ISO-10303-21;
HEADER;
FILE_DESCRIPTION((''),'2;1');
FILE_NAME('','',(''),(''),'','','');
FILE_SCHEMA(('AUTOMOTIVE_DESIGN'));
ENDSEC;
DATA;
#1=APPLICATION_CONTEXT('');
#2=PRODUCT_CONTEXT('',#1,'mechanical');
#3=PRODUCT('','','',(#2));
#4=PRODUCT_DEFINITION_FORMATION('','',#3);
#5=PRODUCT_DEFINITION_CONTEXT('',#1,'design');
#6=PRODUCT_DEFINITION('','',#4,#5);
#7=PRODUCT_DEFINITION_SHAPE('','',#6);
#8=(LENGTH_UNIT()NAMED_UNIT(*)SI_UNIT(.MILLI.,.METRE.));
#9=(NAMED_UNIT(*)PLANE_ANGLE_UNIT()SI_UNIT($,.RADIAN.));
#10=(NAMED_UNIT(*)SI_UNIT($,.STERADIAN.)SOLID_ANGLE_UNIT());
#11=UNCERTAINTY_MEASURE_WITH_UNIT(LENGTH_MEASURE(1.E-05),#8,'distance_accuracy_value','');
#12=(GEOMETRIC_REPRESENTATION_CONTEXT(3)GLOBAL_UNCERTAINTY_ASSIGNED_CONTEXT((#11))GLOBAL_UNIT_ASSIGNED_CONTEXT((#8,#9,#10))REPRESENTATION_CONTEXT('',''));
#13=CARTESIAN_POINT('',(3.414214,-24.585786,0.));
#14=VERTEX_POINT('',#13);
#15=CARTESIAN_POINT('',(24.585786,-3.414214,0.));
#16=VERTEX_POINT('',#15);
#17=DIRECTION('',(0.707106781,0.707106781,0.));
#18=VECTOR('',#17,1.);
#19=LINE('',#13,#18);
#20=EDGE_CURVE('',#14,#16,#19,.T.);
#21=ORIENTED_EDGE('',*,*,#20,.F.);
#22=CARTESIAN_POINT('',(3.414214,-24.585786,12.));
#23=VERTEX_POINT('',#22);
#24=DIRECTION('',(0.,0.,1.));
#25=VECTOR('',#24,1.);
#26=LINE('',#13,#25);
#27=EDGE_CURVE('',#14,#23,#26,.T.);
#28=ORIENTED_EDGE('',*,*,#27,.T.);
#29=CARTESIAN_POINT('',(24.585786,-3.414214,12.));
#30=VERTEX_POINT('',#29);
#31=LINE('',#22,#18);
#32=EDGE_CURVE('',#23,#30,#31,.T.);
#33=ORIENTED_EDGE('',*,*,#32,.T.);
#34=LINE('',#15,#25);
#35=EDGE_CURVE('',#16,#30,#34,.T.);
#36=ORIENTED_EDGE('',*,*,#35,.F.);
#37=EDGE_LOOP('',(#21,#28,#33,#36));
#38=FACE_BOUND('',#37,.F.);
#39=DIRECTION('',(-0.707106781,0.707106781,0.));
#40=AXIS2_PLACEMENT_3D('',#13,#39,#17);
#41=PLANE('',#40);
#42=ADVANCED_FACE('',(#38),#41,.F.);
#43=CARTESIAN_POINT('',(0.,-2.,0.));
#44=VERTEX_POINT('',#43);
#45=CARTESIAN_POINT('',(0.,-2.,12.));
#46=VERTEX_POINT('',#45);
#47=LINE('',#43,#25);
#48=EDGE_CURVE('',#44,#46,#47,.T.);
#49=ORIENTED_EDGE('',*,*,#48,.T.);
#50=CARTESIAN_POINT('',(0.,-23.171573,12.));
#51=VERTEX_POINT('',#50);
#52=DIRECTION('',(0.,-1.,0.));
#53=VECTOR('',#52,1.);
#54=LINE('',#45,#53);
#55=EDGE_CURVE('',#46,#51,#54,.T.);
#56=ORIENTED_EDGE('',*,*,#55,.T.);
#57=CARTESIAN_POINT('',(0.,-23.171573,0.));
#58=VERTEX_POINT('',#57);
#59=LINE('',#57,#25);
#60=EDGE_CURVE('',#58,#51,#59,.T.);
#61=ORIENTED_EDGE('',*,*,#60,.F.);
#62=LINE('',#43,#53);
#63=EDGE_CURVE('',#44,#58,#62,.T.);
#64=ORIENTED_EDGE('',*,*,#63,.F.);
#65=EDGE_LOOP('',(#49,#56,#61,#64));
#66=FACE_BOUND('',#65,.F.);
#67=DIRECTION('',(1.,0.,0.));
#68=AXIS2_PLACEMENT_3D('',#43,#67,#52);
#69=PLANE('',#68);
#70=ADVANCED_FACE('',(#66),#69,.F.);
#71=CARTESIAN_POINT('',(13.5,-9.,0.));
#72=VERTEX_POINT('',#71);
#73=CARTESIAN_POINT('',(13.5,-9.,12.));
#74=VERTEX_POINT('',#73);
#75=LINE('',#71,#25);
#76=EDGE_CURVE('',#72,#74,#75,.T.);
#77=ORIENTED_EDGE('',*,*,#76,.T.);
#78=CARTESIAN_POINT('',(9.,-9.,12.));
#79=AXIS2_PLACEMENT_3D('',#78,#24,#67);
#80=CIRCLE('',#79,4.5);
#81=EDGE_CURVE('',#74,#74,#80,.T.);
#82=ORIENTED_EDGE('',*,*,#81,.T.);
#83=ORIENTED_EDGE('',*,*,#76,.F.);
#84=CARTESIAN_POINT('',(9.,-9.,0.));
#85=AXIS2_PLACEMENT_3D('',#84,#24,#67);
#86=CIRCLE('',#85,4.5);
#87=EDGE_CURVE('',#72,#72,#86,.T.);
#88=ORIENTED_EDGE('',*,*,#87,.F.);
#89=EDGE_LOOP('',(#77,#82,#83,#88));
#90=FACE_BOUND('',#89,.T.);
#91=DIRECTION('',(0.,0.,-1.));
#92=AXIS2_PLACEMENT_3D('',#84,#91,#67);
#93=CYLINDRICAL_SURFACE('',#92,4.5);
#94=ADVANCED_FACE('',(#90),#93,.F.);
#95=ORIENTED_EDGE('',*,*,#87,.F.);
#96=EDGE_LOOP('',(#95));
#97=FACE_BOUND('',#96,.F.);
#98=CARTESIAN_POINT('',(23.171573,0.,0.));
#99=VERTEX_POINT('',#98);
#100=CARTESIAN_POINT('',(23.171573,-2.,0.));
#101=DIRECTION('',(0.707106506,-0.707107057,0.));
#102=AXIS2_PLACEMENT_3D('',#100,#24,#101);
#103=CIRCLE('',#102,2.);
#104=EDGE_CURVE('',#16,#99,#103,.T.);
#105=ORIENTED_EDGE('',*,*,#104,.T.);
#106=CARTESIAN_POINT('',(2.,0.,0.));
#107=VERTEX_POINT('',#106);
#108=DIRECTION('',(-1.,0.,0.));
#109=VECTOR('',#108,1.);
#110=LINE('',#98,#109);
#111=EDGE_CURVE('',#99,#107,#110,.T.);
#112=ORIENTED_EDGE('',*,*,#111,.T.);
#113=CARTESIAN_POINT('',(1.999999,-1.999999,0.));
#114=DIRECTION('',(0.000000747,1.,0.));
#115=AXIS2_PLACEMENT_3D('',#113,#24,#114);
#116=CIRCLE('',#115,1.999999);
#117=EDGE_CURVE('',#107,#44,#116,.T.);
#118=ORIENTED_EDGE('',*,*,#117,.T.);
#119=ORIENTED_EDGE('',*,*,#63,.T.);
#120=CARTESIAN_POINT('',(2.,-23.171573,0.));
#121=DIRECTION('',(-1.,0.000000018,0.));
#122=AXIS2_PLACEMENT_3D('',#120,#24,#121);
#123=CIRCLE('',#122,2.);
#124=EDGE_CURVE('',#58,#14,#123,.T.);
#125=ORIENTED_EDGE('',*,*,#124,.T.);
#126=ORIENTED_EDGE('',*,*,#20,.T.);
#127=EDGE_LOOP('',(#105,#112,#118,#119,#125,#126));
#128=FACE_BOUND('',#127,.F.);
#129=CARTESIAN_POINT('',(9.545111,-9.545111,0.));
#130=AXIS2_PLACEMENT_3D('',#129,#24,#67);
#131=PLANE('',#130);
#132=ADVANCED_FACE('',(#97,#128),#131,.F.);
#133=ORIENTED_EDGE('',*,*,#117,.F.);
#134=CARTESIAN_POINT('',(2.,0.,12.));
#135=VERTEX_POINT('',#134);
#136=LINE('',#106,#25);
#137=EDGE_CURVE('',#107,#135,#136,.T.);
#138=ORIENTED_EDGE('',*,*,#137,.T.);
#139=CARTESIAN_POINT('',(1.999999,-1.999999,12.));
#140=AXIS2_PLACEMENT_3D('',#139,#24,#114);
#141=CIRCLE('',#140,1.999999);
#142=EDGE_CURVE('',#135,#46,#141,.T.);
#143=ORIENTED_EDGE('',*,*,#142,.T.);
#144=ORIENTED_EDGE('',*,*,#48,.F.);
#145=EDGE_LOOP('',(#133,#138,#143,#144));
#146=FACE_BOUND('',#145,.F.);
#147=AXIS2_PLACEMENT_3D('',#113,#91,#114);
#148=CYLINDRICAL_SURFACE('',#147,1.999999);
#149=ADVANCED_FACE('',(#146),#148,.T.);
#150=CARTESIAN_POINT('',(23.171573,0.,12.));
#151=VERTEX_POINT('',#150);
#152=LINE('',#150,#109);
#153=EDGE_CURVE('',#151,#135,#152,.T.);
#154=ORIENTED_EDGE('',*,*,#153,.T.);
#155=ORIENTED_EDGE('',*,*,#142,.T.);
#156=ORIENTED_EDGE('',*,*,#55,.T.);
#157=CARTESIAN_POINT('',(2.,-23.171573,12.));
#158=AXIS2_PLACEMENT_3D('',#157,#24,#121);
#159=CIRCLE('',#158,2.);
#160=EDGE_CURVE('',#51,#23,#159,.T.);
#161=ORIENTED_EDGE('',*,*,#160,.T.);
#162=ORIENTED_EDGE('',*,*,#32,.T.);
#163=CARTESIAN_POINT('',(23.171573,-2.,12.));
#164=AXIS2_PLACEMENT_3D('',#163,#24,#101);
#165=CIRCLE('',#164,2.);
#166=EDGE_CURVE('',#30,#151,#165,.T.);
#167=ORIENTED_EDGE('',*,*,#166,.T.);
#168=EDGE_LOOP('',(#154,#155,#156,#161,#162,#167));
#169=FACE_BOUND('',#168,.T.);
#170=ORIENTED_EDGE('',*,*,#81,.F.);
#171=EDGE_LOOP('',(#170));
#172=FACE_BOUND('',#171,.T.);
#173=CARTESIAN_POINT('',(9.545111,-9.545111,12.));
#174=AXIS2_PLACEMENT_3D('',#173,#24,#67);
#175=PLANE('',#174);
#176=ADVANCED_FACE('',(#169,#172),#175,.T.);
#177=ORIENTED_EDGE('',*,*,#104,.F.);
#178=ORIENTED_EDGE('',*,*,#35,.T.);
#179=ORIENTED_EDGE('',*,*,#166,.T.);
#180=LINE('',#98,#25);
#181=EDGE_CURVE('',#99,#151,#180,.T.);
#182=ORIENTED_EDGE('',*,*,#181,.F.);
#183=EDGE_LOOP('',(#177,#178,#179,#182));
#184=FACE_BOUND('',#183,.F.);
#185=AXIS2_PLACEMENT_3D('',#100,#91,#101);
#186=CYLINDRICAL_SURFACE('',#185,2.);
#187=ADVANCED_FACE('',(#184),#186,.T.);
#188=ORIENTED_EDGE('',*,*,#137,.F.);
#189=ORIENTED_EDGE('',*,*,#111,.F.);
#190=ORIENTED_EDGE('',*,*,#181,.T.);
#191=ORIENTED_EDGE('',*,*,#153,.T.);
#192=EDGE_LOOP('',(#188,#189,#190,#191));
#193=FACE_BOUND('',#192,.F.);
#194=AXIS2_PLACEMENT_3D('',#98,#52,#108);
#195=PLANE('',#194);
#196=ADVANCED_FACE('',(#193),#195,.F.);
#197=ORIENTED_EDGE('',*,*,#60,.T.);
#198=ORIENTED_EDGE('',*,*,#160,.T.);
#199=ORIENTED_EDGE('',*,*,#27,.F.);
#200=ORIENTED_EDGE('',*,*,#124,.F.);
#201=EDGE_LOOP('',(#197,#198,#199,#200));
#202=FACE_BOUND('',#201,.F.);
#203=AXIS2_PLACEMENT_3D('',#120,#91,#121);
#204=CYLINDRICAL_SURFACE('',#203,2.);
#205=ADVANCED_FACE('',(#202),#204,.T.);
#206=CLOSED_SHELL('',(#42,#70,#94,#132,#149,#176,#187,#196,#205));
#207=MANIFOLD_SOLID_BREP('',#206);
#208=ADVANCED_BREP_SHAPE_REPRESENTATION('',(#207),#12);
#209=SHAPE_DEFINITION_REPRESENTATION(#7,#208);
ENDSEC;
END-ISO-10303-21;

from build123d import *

# Parameters (mm, degrees)
SKETCH_R  = 4.5
PAD_DEPTH = 12


with BuildPart() as part:
    # Sketch → Pad (new body)
    with BuildSketch(Plane.XY):
        with BuildLine():
            Line((0, -2), (0, -23.171573))
            ThreePointArc((0, -23.171573), (1.234633, -25.019332), (3.414214, -24.585786))
            Line((3.414214, -24.585786), (24.585786, -3.414214))
            ThreePointArc((24.585786, -3.414214), (25.019332, -1.234633), (23.171573, 0))
            Line((23.171573, 0), (2, 0))
            ThreePointArc((2, 0), (0.585786, -0.585786), (0, -2))
        make_face()
        with Locations((9, -9)):
            Circle(SKETCH_R, mode=Mode.SUBTRACT)
    extrude(amount=PAD_DEPTH)


solid = part.part
